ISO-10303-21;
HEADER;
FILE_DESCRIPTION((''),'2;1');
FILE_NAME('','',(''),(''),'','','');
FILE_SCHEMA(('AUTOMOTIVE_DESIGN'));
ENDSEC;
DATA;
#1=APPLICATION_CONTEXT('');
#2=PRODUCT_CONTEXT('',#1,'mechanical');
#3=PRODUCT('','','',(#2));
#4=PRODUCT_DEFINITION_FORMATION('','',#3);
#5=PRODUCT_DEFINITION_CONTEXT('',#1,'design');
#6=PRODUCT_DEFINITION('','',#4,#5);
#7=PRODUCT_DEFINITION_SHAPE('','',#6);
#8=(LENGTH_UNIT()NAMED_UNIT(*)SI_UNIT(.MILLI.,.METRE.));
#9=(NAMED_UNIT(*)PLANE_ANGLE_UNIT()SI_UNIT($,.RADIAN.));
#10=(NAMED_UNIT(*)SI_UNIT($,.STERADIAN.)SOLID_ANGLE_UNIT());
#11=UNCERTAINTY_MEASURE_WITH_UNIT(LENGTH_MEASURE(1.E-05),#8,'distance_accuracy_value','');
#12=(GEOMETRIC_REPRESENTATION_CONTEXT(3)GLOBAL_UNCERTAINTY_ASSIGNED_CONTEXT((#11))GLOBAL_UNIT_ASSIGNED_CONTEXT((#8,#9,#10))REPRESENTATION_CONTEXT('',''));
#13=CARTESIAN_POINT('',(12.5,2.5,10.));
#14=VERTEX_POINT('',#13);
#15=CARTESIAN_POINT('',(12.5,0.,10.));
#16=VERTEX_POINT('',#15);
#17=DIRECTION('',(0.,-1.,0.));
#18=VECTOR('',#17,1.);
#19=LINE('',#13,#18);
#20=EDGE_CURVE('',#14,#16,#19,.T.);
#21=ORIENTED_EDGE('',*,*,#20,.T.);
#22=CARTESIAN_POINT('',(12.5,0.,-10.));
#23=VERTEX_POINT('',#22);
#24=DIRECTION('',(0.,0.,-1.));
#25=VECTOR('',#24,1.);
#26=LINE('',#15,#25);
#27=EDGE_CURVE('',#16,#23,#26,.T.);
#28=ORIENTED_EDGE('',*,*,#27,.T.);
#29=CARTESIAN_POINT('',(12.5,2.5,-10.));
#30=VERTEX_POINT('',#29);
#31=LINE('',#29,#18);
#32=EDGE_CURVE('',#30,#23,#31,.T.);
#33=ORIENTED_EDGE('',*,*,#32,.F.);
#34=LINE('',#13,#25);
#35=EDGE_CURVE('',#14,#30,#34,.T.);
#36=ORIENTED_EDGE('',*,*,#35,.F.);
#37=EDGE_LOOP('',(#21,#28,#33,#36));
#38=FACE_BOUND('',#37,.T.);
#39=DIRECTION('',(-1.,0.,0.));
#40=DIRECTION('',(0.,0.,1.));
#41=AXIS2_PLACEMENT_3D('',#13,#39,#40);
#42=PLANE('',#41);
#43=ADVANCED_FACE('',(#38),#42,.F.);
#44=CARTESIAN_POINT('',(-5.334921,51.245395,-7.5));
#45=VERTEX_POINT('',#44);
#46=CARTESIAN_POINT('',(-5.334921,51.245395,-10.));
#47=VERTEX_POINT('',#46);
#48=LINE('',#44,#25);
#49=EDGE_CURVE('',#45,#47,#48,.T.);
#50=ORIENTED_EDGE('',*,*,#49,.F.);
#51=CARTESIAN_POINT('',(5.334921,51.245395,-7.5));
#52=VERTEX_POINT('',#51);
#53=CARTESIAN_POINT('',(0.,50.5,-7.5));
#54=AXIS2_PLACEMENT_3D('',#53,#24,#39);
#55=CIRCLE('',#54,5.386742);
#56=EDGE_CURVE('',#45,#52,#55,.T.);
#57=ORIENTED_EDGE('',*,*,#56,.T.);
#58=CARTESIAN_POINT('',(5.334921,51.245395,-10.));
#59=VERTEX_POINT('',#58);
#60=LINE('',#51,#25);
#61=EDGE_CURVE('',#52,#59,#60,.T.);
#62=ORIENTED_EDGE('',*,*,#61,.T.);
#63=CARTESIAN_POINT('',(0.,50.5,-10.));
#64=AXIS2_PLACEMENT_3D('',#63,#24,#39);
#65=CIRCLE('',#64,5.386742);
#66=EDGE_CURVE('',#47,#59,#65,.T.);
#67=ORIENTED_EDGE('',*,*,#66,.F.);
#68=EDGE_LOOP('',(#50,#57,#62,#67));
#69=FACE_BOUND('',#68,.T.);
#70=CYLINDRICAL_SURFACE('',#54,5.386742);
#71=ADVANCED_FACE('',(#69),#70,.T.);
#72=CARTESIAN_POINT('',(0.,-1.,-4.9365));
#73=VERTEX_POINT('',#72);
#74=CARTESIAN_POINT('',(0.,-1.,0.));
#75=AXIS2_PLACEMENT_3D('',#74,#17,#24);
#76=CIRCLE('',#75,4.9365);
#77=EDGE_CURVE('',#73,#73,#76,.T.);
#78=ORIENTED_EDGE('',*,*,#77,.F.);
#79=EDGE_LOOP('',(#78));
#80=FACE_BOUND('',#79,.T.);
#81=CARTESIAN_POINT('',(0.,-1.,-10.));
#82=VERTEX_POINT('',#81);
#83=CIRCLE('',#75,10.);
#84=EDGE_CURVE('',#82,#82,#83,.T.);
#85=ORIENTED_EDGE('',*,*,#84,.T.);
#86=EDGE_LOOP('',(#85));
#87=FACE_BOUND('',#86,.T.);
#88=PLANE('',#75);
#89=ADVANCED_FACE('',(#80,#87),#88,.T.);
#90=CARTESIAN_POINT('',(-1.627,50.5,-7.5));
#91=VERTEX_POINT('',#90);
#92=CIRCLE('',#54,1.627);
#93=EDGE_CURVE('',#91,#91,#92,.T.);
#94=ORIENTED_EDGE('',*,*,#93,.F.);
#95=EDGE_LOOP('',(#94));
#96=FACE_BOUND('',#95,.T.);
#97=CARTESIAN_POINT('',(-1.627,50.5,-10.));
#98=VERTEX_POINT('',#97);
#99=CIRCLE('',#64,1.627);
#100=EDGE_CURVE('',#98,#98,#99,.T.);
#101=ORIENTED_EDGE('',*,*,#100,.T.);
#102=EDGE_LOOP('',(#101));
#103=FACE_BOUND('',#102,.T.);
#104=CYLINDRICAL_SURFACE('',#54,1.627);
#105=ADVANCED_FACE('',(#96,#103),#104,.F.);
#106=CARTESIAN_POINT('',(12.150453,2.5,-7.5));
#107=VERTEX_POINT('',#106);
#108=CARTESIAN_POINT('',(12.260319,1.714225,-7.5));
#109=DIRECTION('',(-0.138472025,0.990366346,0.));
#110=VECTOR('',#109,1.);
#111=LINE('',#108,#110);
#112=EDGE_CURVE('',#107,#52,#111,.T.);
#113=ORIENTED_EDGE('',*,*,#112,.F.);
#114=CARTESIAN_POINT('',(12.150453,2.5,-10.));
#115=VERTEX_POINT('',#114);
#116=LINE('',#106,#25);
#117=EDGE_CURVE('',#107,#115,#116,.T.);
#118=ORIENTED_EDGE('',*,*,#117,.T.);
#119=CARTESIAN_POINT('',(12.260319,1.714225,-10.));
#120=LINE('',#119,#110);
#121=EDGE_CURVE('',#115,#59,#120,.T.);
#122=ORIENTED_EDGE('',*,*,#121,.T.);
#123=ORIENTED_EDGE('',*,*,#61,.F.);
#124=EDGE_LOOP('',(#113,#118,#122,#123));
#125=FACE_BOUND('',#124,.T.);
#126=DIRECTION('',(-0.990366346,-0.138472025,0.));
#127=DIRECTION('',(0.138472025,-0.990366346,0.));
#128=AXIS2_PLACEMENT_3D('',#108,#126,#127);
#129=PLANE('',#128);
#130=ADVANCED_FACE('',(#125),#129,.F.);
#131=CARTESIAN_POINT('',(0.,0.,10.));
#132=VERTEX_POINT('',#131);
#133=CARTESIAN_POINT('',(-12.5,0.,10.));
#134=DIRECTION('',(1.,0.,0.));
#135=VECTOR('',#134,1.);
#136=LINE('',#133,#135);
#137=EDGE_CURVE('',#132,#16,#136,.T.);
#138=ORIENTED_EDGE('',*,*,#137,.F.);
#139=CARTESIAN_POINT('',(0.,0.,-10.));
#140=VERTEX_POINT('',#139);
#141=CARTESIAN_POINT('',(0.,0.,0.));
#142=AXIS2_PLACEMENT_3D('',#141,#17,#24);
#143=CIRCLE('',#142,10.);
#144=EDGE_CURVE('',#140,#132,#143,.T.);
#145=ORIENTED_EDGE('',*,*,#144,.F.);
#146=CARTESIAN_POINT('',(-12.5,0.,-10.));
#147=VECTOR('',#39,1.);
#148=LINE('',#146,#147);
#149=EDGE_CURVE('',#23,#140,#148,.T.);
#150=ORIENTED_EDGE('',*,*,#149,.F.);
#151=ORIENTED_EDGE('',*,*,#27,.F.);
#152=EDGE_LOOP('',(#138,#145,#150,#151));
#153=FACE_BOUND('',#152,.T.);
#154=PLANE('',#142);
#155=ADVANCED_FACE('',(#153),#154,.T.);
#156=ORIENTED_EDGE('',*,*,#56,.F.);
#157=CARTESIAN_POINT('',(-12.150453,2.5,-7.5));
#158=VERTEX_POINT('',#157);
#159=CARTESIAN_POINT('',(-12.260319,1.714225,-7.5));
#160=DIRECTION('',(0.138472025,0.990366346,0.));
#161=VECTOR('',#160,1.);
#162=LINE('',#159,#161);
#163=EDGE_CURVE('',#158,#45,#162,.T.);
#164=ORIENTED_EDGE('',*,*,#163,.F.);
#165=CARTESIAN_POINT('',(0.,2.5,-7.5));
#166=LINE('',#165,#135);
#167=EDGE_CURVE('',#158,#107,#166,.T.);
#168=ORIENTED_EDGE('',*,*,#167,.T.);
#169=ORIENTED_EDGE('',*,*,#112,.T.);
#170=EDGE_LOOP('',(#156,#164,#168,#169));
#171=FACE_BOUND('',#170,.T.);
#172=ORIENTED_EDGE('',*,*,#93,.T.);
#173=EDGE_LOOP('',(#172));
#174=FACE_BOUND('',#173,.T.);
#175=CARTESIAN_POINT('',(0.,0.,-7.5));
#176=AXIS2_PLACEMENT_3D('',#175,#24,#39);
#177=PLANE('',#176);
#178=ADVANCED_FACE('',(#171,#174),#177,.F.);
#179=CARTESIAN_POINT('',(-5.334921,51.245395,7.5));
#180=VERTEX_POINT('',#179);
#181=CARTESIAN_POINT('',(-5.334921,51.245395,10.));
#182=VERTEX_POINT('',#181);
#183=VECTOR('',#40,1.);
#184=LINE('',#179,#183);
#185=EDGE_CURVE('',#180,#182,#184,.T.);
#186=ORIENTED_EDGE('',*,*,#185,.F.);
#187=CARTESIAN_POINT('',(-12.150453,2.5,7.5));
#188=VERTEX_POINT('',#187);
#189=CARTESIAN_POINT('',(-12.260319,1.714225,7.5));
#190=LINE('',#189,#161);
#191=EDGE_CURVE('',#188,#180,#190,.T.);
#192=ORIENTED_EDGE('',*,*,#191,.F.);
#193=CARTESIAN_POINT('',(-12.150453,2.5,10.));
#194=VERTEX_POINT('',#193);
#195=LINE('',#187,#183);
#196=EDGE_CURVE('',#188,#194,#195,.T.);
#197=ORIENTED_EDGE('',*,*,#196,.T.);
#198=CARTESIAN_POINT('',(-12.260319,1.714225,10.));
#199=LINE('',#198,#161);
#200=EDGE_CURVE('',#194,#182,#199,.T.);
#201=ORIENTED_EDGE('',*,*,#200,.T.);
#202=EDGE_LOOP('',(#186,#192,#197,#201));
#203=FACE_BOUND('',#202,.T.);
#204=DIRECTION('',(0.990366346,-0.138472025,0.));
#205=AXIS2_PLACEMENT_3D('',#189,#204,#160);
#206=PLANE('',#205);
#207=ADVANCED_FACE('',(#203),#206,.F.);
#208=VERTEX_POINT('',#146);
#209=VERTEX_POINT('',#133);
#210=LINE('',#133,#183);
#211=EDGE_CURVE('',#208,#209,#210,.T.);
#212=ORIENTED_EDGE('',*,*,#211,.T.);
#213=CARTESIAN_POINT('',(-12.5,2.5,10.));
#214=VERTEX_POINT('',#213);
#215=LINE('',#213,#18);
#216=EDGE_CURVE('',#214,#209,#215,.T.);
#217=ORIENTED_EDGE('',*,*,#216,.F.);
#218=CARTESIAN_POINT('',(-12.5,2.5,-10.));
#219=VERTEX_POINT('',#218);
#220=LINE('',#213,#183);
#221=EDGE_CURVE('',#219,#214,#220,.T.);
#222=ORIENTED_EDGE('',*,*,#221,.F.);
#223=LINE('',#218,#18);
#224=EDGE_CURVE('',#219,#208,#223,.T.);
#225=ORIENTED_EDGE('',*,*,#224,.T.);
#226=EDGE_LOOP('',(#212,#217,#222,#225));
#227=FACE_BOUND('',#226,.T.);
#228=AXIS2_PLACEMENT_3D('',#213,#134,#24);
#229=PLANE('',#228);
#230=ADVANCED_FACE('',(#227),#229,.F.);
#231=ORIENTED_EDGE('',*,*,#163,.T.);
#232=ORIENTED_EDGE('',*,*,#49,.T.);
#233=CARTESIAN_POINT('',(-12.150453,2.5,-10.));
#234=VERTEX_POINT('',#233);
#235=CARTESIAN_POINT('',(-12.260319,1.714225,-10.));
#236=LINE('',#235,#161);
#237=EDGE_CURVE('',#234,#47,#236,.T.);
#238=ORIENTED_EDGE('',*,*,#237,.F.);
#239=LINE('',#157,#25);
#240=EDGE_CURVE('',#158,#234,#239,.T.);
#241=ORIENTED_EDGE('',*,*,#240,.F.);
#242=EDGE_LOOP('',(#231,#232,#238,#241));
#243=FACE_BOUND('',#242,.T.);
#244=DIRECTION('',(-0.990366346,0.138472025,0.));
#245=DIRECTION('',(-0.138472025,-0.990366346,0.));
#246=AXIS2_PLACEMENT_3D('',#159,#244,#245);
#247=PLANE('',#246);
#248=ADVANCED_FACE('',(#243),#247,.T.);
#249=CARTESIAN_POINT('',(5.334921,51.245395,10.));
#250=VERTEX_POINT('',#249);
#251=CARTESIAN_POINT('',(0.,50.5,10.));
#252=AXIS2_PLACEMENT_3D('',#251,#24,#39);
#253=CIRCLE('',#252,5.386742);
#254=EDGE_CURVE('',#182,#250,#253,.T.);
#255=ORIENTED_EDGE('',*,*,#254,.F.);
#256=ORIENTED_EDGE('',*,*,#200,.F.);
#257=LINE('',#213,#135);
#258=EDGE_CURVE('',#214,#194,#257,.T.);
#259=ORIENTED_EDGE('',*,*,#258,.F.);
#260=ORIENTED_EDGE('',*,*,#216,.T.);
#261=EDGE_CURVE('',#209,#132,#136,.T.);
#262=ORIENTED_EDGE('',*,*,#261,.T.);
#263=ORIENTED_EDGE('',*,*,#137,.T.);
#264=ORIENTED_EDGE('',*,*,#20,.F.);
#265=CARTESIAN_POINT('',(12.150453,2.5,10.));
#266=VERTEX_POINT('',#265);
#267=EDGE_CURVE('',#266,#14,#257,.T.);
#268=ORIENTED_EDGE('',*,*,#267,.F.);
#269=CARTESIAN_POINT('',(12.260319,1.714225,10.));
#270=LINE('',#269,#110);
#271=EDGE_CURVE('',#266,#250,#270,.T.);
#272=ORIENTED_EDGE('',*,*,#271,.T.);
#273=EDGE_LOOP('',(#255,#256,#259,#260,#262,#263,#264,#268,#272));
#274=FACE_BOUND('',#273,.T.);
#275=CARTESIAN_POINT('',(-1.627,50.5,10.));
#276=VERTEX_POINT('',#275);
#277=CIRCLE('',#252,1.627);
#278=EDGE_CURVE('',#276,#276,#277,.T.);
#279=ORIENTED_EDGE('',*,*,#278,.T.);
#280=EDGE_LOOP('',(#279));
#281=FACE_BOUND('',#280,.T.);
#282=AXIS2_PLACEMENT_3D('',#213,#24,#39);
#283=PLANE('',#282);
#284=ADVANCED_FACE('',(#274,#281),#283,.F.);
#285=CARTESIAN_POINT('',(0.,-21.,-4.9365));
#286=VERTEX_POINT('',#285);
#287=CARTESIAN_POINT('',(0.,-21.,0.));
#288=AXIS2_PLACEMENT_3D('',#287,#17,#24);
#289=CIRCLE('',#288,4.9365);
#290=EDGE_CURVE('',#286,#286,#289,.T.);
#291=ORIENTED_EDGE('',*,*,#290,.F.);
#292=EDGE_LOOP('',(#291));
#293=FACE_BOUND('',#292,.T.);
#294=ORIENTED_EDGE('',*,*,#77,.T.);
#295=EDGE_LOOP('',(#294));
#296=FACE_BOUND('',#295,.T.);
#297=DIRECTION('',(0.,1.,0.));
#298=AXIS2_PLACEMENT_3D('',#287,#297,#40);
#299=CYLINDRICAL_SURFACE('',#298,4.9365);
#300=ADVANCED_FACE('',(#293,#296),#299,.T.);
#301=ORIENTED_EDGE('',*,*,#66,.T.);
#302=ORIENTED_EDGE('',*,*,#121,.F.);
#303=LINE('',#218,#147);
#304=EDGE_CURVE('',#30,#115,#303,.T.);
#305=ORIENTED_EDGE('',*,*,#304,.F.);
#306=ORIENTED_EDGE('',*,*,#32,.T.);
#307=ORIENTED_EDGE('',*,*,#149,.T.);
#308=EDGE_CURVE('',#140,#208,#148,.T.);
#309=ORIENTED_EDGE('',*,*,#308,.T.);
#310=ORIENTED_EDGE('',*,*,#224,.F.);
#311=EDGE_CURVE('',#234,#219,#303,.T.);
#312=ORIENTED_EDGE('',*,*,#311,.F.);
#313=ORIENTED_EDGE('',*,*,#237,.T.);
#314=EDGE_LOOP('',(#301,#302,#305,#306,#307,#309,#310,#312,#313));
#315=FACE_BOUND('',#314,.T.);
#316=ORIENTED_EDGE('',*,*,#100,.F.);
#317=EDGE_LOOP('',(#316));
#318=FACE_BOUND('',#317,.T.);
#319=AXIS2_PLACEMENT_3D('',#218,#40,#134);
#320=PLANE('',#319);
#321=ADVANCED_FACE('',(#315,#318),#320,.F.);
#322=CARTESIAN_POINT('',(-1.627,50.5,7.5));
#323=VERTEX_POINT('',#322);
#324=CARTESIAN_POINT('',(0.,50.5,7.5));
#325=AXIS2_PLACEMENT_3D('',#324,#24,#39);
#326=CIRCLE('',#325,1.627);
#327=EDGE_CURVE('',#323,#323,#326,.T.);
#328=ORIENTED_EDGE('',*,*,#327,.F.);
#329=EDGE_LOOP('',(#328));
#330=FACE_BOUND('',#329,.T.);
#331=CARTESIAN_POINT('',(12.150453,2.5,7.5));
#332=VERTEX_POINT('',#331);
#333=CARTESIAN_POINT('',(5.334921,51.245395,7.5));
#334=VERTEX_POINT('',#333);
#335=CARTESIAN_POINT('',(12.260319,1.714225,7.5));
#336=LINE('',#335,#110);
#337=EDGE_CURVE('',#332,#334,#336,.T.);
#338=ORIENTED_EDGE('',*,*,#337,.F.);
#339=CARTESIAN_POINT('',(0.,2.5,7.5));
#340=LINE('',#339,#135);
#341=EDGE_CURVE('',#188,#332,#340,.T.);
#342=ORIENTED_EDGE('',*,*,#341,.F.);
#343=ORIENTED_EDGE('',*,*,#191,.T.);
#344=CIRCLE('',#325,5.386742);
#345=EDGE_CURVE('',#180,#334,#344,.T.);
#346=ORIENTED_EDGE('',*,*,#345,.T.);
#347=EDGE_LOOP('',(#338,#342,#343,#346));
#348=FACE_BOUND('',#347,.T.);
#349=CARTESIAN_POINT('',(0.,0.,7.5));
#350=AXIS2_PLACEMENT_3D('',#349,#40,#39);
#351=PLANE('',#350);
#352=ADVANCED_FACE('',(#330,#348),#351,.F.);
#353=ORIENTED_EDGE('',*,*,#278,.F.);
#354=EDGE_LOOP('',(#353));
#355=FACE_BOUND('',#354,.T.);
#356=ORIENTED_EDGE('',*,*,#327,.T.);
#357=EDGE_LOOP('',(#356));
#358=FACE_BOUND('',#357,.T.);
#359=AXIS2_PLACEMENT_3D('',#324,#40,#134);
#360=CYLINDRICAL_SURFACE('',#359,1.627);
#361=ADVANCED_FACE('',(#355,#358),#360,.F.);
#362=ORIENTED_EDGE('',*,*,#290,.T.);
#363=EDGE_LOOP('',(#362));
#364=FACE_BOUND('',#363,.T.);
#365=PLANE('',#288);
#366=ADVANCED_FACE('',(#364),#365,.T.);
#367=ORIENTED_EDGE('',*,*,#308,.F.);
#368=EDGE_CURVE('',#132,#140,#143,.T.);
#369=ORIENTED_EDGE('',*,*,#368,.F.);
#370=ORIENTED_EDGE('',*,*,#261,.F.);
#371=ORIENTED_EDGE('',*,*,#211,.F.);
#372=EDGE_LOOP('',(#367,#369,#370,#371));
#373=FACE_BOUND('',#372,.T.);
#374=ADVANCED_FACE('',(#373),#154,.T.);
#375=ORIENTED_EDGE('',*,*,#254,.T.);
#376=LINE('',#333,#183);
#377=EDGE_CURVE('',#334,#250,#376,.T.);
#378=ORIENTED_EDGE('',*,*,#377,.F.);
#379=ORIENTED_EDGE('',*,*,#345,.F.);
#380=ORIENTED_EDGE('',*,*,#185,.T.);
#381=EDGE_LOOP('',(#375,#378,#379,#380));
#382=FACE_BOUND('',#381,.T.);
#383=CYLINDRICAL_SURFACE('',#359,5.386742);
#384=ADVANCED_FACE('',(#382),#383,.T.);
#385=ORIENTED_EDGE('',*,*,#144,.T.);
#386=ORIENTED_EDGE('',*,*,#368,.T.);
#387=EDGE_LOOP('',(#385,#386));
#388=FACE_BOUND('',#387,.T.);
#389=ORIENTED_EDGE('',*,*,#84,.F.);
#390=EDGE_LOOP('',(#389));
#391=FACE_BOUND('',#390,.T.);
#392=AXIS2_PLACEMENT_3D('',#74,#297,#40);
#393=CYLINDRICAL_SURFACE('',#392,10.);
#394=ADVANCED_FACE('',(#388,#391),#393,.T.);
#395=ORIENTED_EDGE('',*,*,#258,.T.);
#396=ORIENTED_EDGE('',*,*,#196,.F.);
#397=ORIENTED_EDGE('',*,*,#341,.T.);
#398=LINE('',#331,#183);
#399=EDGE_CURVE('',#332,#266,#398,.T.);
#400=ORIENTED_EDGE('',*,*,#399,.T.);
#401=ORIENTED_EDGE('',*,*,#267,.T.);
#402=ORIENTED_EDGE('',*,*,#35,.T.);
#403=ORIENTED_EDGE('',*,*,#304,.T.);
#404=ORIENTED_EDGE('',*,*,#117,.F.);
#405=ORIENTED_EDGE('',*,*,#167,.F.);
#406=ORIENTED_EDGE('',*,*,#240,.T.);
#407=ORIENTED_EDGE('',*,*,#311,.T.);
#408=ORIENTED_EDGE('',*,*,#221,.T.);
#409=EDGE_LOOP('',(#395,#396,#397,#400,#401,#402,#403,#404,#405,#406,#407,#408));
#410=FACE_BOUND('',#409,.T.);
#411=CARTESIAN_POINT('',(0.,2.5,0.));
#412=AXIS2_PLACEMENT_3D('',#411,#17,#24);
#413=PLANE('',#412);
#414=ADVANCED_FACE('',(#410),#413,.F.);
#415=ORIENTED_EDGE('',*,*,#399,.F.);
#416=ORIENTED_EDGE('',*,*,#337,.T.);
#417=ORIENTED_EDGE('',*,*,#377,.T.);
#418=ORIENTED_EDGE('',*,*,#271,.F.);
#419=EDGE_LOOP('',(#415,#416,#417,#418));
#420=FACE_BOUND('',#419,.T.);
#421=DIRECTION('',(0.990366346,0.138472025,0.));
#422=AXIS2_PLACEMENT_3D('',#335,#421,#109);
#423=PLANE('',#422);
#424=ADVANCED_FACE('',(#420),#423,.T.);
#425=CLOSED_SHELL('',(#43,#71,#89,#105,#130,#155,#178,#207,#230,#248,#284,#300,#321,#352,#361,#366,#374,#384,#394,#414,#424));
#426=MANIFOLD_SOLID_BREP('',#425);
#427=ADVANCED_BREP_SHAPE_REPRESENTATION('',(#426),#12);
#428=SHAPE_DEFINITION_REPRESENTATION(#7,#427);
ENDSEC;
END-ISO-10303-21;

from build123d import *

# Parameters (mm, degrees)
SKETCH1_W           = 25
SKETCH1_H           = 20
BOSS_EXTRUDE1_DEPTH = 2.5
SKETCH4_R           = 10
BOSS_EXTRUDE3_DEPTH = 1
SKETCH5_R           = 4.9365
BOSS_EXTRUDE4_DEPTH = 20
SKETCH6_R           = 1.627
BOSS_EXTRUDE5_DEPTH = 2.5


with BuildPart() as part:
    # Sketch1 → Boss-Extrude1 (new body)
    with BuildSketch(Plane(origin=(0, 0, 0), x_dir=(1, 0, 0), z_dir=(0, 1, 0))):
        Rectangle(SKETCH1_W, SKETCH1_H)
    extrude(amount=BOSS_EXTRUDE1_DEPTH)

    # Sketch4 → Boss-Extrude3 (add)
    with BuildSketch(Plane.XZ):
        with Locations(Location((0, 0, 0), (0, 0, 270))):
            Circle(SKETCH4_R)
    extrude(amount=BOSS_EXTRUDE3_DEPTH)

    # Sketch5 → Boss-Extrude4 (add)
    with BuildSketch(Plane.XZ.offset(1)):
        with Locations(Location((0, 0, 0), (0, 0, 270))):
            Circle(SKETCH5_R)
    extrude(amount=BOSS_EXTRUDE4_DEPTH)

    # Sketch6 → Boss-Extrude5 (add)
    with BuildSketch(Plane(origin=(0, 0, -10), x_dir=(-1, 0, 0), z_dir=(0, 0, -1))):
        with BuildLine():
            Line((-12.150452519, 2.5), (12.150452519, 2.5))
            Line((12.150452519, 2.5), (5.334920531, 51.245394823))
            ThreePointArc((5.334920531, 51.245394823), (0, 55.886742106), (-5.334920531, 51.245394823))
            Line((-5.334920531, 51.245394823), (-12.150452519, 2.5))
        make_face()
        with Locations((0, 50.5)):
            Circle(SKETCH6_R, mode=Mode.SUBTRACT)
    boss_extrude5 = extrude(amount=-BOSS_EXTRUDE5_DEPTH)

    # Mirror2: Boss-Extrude5 across plane
    add(boss_extrude5.mirror(Plane(origin=(0, 0, 0), x_dir=(1, 0, 0), z_dir=(0, 0, -1))))


solid = part.part
